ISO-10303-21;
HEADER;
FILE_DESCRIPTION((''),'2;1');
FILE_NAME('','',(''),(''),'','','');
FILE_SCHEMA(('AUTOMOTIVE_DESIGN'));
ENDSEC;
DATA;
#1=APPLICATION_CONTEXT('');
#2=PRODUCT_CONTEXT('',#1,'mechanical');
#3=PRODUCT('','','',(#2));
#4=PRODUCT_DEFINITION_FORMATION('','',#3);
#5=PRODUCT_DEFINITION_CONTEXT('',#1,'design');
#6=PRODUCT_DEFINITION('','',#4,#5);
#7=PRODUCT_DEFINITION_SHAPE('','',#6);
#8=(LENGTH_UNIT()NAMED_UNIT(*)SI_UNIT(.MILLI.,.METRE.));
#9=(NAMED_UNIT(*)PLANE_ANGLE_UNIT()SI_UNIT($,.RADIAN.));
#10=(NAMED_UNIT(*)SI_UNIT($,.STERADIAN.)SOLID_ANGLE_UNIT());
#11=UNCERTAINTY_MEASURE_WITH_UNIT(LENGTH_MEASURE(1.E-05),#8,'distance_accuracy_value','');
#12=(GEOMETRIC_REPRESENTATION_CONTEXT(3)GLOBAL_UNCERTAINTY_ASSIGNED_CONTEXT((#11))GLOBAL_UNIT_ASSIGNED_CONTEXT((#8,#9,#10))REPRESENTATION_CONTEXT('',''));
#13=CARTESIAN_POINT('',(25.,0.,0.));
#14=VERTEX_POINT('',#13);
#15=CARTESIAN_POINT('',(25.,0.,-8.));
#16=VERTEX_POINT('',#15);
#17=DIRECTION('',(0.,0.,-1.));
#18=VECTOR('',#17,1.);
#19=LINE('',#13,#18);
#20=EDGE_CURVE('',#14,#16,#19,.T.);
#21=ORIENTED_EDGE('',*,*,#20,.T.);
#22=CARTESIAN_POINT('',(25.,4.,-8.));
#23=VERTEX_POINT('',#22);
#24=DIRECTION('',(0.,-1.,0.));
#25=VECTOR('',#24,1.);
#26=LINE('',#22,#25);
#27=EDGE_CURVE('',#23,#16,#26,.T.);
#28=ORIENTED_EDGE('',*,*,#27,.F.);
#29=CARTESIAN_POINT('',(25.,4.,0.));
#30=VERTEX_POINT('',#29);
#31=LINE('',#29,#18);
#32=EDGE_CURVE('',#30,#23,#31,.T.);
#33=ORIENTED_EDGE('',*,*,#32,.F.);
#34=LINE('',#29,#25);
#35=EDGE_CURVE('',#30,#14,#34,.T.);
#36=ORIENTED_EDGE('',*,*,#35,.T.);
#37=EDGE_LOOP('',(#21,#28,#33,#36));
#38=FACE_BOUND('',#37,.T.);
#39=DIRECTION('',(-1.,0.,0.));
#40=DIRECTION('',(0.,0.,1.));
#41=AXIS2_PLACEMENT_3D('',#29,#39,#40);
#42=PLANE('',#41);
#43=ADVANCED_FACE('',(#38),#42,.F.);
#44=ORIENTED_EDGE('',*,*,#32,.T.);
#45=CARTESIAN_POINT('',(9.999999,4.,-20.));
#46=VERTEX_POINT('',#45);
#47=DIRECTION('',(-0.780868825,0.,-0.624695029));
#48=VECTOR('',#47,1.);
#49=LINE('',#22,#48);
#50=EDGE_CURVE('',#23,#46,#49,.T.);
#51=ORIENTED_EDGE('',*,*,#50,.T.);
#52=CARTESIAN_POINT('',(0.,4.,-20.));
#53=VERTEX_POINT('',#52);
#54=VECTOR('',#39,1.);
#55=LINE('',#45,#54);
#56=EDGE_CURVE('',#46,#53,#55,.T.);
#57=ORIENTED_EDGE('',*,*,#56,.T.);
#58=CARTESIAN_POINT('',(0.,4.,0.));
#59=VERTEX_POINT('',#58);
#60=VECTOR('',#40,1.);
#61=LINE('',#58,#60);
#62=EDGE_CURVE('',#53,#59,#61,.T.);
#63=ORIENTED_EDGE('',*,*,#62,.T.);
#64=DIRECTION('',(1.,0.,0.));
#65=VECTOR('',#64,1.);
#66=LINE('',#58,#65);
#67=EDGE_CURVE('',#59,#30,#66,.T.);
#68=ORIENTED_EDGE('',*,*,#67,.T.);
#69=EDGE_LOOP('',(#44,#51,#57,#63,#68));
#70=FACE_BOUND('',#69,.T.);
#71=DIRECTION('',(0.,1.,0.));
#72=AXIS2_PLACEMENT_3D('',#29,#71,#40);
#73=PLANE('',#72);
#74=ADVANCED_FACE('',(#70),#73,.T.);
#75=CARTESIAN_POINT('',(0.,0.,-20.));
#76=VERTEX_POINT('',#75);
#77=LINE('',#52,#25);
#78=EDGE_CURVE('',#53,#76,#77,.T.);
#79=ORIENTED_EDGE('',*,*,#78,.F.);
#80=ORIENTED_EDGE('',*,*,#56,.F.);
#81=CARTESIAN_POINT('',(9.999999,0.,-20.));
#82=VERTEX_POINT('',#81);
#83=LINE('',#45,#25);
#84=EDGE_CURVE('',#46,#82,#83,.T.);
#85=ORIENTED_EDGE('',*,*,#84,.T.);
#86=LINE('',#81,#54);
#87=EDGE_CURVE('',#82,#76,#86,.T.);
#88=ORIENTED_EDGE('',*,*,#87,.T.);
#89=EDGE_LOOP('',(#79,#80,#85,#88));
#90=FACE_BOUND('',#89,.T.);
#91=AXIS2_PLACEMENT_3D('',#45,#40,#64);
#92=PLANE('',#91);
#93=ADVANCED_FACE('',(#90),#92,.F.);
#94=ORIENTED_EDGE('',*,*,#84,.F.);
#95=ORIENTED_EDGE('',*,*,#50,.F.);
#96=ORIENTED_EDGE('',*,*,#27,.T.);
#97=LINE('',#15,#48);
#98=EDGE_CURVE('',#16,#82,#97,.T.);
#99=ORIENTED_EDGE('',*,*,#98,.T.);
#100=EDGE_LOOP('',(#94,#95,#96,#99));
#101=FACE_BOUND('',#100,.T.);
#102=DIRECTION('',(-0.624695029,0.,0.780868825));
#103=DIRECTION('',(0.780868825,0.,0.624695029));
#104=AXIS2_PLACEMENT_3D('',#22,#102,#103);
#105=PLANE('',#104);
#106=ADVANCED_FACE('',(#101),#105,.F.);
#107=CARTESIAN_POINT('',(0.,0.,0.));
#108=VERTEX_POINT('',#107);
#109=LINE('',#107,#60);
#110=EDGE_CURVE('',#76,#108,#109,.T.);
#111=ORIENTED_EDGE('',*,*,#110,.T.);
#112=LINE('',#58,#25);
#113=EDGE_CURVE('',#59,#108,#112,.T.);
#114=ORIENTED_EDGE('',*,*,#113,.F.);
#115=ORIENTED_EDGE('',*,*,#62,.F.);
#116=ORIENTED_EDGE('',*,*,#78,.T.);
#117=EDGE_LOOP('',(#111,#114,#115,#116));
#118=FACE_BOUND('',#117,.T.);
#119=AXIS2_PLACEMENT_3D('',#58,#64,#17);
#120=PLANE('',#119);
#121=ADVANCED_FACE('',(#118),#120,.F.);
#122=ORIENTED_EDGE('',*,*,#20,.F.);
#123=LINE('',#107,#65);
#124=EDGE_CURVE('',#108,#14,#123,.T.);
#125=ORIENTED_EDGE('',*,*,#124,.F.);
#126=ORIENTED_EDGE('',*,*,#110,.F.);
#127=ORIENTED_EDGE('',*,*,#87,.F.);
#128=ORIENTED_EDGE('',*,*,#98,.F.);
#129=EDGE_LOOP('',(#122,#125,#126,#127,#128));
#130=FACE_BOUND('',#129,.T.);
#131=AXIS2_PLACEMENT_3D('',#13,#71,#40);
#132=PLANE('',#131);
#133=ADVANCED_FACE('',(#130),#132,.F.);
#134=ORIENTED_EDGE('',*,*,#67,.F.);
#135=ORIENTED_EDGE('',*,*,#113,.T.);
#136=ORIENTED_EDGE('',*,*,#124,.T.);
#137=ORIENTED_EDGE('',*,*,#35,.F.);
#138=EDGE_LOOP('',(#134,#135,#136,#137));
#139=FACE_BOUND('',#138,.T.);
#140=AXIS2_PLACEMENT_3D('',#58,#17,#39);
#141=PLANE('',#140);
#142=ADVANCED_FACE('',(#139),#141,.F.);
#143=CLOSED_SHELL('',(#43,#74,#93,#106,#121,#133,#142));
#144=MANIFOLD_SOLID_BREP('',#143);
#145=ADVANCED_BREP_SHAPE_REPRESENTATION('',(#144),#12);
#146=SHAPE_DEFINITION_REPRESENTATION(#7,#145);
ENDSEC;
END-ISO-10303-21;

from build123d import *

# Parameters (mm, degrees)
EXTRUDE_1_DEPTH = 4


with BuildPart() as part:
    # Эскиз1 → Вытянуть1 (new body)
    with BuildSketch(Plane(origin=(0, 0, 0), x_dir=(1, 0, 0), z_dir=(0, 1, 0))):
        Polygon((0, 0), (0, 20), (9.999999241, 20), (24.999999987, 8), (24.999999987, 0), align=None)
    extrude(amount=EXTRUDE_1_DEPTH)


solid = part.part
